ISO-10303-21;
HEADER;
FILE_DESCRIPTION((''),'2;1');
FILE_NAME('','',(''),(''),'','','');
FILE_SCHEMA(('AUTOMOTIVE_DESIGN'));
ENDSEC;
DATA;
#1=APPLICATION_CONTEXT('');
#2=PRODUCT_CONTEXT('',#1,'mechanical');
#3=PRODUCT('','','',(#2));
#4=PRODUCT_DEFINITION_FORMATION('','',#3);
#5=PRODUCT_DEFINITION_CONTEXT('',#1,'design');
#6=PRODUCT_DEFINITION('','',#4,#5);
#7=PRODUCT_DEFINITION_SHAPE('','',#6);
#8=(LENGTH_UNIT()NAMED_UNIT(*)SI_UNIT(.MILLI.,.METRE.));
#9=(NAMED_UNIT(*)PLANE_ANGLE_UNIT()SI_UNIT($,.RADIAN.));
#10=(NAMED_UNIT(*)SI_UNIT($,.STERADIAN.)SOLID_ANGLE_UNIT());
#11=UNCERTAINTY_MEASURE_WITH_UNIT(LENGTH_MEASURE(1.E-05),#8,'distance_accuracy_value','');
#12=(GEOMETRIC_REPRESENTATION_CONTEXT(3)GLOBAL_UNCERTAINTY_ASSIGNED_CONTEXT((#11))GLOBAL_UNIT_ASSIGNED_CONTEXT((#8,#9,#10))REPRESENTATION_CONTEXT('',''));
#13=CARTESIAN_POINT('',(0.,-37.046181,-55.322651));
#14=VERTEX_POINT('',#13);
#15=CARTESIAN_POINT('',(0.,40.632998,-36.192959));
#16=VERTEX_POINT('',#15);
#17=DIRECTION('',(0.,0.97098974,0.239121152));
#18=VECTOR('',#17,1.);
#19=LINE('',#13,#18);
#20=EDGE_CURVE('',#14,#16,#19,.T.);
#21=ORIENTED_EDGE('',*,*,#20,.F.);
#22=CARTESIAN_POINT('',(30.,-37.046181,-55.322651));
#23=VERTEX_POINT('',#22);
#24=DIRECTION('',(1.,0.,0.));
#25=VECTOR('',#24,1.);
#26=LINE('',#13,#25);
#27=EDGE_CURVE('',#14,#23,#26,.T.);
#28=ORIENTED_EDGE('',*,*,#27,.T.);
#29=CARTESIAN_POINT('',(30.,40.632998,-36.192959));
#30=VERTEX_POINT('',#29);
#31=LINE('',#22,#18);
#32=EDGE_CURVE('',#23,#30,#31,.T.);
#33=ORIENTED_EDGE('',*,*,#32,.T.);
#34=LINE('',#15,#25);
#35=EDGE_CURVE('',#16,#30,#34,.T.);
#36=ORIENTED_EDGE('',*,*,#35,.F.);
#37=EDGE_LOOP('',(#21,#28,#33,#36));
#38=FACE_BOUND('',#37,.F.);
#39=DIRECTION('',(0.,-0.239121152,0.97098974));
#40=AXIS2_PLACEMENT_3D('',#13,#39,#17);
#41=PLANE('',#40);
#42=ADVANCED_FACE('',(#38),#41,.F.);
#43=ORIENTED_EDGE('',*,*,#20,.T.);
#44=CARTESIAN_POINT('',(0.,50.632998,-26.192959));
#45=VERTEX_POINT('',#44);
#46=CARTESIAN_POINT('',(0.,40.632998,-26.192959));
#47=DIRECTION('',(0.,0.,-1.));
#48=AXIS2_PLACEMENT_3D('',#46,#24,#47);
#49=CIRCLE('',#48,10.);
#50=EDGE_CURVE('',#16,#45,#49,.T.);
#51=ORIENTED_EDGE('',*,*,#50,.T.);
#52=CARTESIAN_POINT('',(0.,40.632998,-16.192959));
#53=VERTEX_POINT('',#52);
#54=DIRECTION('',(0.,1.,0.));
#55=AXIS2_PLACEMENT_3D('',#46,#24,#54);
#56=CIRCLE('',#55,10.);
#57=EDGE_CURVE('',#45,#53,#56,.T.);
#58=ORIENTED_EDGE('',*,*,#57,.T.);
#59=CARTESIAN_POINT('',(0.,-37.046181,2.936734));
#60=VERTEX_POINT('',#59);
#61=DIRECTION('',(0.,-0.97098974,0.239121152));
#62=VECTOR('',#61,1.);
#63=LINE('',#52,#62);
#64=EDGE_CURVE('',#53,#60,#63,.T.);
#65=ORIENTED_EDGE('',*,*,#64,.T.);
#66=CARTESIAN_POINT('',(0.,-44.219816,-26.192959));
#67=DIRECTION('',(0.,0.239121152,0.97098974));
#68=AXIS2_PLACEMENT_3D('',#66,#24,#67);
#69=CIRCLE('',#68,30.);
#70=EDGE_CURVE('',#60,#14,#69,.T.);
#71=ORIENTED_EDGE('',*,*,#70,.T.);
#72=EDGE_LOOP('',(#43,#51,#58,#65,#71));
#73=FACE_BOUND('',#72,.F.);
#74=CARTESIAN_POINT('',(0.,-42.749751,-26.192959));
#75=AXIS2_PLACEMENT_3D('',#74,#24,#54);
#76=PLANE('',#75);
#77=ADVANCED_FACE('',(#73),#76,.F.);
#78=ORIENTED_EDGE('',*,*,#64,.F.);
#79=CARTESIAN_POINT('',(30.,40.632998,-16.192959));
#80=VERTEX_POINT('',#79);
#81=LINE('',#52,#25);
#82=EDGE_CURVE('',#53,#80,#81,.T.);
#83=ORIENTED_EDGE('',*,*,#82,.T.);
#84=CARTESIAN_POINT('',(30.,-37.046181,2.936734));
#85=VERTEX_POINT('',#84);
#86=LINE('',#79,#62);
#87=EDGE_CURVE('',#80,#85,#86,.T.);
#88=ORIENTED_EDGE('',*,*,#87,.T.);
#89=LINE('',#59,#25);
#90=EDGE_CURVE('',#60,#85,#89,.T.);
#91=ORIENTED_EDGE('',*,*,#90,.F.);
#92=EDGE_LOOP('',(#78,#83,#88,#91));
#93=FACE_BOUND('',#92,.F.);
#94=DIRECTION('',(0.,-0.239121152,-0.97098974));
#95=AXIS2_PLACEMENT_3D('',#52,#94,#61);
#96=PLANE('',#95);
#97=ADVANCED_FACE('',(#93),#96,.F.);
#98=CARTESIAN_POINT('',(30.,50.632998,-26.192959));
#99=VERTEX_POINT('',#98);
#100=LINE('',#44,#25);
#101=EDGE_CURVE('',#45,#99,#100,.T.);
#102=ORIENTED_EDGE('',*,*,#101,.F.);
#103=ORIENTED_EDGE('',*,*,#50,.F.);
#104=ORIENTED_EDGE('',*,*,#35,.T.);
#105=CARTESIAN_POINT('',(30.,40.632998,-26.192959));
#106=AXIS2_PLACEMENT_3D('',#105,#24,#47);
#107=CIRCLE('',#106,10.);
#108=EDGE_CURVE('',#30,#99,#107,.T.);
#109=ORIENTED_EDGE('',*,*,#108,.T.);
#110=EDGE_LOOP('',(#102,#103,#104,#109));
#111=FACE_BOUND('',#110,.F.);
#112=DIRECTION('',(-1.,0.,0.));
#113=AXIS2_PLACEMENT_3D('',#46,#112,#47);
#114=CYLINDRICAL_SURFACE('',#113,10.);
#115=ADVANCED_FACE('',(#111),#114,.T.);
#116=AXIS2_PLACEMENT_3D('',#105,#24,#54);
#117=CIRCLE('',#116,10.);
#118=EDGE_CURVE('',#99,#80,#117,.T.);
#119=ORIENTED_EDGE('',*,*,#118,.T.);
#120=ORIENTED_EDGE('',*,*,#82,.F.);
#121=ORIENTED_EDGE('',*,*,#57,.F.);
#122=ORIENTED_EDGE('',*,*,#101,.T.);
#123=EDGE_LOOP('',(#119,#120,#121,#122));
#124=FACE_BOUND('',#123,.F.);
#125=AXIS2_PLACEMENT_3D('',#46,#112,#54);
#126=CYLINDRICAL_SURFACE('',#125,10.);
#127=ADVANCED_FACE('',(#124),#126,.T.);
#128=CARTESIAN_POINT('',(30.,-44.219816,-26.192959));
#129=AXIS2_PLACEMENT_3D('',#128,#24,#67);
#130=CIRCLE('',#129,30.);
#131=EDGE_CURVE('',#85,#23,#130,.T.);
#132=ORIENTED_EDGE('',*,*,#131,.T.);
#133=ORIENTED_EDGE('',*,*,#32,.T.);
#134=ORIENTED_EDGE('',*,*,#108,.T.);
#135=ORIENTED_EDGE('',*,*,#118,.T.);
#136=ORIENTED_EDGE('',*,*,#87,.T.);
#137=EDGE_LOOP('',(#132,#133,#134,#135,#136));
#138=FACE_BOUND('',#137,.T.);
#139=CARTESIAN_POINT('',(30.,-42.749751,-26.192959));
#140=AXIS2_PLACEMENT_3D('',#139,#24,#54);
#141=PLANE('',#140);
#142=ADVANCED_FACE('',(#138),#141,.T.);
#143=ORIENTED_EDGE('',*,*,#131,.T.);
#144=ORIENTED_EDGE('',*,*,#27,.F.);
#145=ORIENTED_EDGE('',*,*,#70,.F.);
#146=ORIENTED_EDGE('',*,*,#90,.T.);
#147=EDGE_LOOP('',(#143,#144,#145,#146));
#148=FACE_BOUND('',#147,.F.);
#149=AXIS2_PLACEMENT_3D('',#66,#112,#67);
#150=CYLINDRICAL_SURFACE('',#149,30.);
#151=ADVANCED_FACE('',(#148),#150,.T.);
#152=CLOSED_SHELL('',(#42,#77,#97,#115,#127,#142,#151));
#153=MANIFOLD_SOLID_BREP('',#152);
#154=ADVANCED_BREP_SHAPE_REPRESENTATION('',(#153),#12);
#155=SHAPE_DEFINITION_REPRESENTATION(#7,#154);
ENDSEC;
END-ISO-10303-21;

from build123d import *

# Parameters (mm, degrees)
F1_DEPTH = 30


with BuildPart() as f1:
    # F0 (on Right) → F1 (new body)
    with BuildSketch(Plane.YZ):
        with BuildLine():
            ThreePointArc((-37.046180943, -55.3226507139), (-20.6061644078, -44.6968900375), (-14.2198155139, -26.1929585246))
            ThreePointArc((-14.2198155139, -26.1929585246), (-20.6061644078, -7.6890270116), (-37.046180943, 2.9367336647))
            ThreePointArc((-37.046180943, 2.9367336647), (-74.2198155139, -26.1929585246), (-37.046180943, -55.3226507139))
        make_face()
        with BuildLine():
            ThreePointArc((-37.046180943, 2.9367336647), (-20.6061644078, -7.6890270116), (-14.2198155139, -26.1929585246))
            ThreePointArc((-14.2198155139, -26.1929585246), (-20.6061644078, -44.6968900375), (-37.046180943, -55.3226507139))
            Line((-37.046180943, -55.3226507139), (40.6329982284, -36.1929585246))
            ThreePointArc((40.6329982284, -36.1929585246), (30.6329982284, -26.1929585246), (40.6329982284, -16.1929585246))
            Line((40.6329982284, -16.1929585246), (-37.046180943, 2.9367336647))
        make_face()
        with BuildLine():
            ThreePointArc((50.6329982284, -26.1929585246), (47.7040660403, -19.1218907127), (40.6329982284, -16.1929585246))
            ThreePointArc((40.6329982284, -16.1929585246), (30.6329982284, -26.1929585246), (40.6329982284, -36.1929585246))
            ThreePointArc((40.6329982284, -36.1929585246), (47.7040660403, -33.2640263364), (50.6329982284, -26.1929585246))
        make_face()
    extrude(amount=F1_DEPTH)


solid = f1.part
